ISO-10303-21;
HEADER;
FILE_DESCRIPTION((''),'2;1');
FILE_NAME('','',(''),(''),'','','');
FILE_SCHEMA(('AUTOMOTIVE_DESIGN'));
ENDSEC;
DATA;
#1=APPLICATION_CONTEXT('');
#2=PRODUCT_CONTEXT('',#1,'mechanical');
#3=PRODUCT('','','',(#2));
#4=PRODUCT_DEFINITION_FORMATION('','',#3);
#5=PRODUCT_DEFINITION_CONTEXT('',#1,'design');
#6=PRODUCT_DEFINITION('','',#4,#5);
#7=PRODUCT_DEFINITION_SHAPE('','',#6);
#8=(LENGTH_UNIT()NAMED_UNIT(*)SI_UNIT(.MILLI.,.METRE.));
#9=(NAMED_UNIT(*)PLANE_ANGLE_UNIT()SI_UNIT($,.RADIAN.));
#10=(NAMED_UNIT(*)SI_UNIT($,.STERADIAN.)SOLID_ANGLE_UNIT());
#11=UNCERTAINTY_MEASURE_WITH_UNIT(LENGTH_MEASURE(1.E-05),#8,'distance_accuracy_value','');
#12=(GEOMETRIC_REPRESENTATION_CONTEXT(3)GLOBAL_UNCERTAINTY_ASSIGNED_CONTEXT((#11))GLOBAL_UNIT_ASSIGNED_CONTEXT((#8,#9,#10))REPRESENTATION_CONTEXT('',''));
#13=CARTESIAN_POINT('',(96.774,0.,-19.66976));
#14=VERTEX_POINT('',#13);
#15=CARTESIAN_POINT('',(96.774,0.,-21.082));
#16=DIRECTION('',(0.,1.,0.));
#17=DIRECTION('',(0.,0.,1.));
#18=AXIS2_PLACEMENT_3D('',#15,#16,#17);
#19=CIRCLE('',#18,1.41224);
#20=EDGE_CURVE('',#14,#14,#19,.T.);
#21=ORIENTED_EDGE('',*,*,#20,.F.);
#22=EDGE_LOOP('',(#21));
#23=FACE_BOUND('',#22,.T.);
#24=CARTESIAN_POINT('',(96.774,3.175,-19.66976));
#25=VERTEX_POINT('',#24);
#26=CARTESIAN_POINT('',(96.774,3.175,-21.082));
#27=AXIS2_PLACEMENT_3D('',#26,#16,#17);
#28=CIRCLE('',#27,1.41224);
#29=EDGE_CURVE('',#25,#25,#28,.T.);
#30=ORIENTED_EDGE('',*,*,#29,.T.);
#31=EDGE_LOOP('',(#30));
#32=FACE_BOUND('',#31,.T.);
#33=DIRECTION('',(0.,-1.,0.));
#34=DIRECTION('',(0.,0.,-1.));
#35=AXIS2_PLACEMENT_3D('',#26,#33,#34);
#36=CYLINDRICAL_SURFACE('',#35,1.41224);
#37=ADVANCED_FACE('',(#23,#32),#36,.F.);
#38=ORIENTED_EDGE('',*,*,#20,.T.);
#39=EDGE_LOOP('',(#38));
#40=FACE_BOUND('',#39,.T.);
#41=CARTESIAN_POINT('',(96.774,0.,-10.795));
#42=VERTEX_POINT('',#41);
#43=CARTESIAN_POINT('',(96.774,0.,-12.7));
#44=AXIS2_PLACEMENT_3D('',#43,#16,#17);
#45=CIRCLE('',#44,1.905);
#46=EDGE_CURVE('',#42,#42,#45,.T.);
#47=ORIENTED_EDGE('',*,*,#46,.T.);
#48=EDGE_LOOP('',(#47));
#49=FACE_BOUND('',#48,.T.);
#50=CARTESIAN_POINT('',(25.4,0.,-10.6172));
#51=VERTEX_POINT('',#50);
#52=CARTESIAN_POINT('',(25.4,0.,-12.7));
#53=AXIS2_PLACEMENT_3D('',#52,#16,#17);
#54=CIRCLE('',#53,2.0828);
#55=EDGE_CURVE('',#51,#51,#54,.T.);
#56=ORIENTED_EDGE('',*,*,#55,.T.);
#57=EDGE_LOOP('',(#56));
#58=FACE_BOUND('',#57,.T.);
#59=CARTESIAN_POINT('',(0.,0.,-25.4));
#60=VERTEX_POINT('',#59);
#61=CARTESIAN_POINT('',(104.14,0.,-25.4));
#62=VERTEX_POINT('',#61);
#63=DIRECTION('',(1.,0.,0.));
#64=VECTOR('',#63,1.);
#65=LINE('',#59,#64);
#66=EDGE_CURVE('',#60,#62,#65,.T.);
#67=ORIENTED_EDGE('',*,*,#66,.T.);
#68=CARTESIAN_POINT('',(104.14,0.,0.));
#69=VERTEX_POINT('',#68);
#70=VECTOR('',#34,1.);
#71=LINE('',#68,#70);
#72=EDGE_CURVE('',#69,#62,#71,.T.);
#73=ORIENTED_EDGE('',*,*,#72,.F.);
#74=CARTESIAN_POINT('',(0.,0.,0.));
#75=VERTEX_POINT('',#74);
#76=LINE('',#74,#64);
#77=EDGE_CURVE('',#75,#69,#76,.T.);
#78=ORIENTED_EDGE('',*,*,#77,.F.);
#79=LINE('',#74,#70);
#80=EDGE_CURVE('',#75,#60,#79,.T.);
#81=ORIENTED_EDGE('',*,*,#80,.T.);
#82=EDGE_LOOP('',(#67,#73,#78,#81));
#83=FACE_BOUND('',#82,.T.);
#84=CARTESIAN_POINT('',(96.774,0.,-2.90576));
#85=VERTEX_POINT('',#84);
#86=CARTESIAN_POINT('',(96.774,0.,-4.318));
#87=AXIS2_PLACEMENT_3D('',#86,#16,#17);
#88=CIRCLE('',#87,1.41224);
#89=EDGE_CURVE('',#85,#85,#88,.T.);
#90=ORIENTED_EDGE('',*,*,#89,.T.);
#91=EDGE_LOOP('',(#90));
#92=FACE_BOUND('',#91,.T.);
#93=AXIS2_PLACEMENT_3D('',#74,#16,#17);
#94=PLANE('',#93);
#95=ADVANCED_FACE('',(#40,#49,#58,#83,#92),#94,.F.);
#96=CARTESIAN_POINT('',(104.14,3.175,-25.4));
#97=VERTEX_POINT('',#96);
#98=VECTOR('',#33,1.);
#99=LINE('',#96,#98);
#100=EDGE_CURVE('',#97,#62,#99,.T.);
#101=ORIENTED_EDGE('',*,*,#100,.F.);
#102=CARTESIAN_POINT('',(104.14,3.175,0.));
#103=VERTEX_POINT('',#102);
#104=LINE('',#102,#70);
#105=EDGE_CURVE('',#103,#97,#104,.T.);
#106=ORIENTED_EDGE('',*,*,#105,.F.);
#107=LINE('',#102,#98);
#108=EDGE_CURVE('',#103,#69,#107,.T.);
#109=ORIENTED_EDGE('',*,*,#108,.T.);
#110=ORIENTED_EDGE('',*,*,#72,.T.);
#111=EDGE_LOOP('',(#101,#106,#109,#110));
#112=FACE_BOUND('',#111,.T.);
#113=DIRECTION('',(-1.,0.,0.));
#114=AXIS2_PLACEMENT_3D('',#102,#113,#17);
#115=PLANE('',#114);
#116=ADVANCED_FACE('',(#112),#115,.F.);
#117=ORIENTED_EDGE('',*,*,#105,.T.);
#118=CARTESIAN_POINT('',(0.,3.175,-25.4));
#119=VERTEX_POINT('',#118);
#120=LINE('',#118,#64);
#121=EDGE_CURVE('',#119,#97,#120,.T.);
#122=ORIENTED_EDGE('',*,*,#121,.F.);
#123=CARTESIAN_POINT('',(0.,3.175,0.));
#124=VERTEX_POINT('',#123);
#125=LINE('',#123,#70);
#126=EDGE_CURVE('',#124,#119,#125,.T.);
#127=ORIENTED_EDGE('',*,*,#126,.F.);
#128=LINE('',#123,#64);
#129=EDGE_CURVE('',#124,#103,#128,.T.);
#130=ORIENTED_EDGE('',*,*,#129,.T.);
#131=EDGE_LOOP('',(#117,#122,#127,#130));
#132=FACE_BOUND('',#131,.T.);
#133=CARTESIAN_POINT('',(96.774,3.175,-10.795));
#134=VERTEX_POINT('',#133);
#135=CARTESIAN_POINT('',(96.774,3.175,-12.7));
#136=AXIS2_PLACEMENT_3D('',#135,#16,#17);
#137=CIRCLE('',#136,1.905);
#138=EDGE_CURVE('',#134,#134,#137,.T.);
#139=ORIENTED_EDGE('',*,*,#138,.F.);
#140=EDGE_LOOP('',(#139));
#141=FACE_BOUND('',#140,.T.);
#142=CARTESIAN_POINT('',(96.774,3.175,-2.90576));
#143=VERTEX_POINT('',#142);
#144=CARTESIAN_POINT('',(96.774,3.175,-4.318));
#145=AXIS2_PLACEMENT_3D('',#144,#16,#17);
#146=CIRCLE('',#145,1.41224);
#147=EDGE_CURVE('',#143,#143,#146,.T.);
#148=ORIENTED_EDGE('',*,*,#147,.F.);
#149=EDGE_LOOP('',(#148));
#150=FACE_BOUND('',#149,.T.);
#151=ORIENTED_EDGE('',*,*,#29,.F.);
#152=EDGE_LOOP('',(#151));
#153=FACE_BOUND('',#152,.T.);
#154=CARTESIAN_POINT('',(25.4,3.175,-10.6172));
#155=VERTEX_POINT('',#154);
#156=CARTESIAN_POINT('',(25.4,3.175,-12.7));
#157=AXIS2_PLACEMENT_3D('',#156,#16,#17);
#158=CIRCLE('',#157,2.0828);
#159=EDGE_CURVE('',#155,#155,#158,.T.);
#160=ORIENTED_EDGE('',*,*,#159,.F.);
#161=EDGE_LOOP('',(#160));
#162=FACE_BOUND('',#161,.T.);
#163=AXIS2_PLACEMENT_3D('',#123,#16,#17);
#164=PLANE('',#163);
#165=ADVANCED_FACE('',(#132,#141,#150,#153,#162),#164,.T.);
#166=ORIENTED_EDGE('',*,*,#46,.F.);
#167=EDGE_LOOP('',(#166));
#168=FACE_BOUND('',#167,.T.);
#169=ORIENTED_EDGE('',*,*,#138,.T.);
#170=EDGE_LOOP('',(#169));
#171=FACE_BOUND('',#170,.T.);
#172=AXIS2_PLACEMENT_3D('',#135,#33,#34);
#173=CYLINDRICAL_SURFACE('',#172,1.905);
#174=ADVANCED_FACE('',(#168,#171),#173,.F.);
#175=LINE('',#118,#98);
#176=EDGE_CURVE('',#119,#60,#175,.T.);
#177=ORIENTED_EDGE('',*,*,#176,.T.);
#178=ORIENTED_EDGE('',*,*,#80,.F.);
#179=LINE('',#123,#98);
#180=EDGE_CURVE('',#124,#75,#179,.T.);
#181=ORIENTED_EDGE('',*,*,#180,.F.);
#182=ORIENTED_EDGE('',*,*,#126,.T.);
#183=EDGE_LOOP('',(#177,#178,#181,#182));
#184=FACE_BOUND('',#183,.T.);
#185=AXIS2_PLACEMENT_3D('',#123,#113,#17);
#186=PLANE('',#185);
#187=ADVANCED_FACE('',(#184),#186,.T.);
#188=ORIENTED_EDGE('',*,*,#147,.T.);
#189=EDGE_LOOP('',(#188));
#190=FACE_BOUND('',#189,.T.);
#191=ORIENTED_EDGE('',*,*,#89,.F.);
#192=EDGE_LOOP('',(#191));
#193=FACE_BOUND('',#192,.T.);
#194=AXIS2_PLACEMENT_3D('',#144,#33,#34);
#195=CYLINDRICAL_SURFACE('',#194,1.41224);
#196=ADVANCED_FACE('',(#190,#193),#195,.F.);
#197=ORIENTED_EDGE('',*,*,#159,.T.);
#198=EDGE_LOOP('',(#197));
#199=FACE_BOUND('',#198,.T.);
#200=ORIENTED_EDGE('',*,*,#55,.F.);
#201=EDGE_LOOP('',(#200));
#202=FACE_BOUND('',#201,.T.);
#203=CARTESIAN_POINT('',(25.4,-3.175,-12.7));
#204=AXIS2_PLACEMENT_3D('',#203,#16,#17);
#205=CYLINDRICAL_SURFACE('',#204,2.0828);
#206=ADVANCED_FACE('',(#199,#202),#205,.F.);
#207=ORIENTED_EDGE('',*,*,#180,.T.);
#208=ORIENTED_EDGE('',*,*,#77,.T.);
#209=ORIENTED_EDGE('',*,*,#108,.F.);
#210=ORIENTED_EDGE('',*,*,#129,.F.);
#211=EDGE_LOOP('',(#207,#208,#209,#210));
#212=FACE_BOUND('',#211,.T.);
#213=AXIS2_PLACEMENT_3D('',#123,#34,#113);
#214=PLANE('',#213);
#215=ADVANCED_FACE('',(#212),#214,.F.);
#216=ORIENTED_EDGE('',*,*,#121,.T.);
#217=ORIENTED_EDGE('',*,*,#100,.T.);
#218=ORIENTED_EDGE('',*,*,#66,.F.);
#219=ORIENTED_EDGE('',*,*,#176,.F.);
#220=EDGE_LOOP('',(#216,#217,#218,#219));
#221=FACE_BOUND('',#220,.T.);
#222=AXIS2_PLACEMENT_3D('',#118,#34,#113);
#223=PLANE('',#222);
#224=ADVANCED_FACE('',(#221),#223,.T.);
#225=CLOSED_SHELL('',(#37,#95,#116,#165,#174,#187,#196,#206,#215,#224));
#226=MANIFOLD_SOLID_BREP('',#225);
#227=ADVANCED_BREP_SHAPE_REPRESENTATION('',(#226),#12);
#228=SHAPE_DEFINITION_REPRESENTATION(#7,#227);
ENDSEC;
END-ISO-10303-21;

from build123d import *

# Parameters (mm, degrees)
SKETCH2_W           = 104.14
SKETCH2_H           = 25.4
SKETCH2_R           = 1.41224
SKETCH2_R_2         = 1.905
BOSS_EXTRUDE1_DEPTH = 3.175
SKETCH3_R           = 2.0828
CUT_EXTRUDE1_DEPTH  = 6.35


with BuildPart() as part:
    # Sketch2 → Boss-Extrude1 (new body)
    with BuildSketch(Plane(origin=(0, 0, 0), x_dir=(1, 0, 0), z_dir=(0, 1, 0))):
        with Locations((52.07, 12.7)):
            Rectangle(SKETCH2_W, SKETCH2_H)
        with Locations(Location((96.774, 21.082, 0), (0, 0, 270))):
            Circle(SKETCH2_R, mode=Mode.SUBTRACT)
        with Locations(Location((96.774, 4.318, 0), (0, 0, 270))):
            Circle(SKETCH2_R, mode=Mode.SUBTRACT)
        with Locations(Location((96.774, 12.7, 0), (0, 0, 270))):
            Circle(SKETCH2_R_2, mode=Mode.SUBTRACT)
    extrude(amount=BOSS_EXTRUDE1_DEPTH)

    # Sketch3 → Cut-Extrude1 (cut)
    with BuildSketch(Plane(origin=(0, 3.175, 0), x_dir=(1, 0, 0), z_dir=(0, 1, 0))):
        with Locations(Location((25.4, 12.7, 0), (0, 0, 270))):
            Circle(SKETCH3_R)
    extrude(amount=-CUT_EXTRUDE1_DEPTH, mode=Mode.SUBTRACT)


solid = part.part
